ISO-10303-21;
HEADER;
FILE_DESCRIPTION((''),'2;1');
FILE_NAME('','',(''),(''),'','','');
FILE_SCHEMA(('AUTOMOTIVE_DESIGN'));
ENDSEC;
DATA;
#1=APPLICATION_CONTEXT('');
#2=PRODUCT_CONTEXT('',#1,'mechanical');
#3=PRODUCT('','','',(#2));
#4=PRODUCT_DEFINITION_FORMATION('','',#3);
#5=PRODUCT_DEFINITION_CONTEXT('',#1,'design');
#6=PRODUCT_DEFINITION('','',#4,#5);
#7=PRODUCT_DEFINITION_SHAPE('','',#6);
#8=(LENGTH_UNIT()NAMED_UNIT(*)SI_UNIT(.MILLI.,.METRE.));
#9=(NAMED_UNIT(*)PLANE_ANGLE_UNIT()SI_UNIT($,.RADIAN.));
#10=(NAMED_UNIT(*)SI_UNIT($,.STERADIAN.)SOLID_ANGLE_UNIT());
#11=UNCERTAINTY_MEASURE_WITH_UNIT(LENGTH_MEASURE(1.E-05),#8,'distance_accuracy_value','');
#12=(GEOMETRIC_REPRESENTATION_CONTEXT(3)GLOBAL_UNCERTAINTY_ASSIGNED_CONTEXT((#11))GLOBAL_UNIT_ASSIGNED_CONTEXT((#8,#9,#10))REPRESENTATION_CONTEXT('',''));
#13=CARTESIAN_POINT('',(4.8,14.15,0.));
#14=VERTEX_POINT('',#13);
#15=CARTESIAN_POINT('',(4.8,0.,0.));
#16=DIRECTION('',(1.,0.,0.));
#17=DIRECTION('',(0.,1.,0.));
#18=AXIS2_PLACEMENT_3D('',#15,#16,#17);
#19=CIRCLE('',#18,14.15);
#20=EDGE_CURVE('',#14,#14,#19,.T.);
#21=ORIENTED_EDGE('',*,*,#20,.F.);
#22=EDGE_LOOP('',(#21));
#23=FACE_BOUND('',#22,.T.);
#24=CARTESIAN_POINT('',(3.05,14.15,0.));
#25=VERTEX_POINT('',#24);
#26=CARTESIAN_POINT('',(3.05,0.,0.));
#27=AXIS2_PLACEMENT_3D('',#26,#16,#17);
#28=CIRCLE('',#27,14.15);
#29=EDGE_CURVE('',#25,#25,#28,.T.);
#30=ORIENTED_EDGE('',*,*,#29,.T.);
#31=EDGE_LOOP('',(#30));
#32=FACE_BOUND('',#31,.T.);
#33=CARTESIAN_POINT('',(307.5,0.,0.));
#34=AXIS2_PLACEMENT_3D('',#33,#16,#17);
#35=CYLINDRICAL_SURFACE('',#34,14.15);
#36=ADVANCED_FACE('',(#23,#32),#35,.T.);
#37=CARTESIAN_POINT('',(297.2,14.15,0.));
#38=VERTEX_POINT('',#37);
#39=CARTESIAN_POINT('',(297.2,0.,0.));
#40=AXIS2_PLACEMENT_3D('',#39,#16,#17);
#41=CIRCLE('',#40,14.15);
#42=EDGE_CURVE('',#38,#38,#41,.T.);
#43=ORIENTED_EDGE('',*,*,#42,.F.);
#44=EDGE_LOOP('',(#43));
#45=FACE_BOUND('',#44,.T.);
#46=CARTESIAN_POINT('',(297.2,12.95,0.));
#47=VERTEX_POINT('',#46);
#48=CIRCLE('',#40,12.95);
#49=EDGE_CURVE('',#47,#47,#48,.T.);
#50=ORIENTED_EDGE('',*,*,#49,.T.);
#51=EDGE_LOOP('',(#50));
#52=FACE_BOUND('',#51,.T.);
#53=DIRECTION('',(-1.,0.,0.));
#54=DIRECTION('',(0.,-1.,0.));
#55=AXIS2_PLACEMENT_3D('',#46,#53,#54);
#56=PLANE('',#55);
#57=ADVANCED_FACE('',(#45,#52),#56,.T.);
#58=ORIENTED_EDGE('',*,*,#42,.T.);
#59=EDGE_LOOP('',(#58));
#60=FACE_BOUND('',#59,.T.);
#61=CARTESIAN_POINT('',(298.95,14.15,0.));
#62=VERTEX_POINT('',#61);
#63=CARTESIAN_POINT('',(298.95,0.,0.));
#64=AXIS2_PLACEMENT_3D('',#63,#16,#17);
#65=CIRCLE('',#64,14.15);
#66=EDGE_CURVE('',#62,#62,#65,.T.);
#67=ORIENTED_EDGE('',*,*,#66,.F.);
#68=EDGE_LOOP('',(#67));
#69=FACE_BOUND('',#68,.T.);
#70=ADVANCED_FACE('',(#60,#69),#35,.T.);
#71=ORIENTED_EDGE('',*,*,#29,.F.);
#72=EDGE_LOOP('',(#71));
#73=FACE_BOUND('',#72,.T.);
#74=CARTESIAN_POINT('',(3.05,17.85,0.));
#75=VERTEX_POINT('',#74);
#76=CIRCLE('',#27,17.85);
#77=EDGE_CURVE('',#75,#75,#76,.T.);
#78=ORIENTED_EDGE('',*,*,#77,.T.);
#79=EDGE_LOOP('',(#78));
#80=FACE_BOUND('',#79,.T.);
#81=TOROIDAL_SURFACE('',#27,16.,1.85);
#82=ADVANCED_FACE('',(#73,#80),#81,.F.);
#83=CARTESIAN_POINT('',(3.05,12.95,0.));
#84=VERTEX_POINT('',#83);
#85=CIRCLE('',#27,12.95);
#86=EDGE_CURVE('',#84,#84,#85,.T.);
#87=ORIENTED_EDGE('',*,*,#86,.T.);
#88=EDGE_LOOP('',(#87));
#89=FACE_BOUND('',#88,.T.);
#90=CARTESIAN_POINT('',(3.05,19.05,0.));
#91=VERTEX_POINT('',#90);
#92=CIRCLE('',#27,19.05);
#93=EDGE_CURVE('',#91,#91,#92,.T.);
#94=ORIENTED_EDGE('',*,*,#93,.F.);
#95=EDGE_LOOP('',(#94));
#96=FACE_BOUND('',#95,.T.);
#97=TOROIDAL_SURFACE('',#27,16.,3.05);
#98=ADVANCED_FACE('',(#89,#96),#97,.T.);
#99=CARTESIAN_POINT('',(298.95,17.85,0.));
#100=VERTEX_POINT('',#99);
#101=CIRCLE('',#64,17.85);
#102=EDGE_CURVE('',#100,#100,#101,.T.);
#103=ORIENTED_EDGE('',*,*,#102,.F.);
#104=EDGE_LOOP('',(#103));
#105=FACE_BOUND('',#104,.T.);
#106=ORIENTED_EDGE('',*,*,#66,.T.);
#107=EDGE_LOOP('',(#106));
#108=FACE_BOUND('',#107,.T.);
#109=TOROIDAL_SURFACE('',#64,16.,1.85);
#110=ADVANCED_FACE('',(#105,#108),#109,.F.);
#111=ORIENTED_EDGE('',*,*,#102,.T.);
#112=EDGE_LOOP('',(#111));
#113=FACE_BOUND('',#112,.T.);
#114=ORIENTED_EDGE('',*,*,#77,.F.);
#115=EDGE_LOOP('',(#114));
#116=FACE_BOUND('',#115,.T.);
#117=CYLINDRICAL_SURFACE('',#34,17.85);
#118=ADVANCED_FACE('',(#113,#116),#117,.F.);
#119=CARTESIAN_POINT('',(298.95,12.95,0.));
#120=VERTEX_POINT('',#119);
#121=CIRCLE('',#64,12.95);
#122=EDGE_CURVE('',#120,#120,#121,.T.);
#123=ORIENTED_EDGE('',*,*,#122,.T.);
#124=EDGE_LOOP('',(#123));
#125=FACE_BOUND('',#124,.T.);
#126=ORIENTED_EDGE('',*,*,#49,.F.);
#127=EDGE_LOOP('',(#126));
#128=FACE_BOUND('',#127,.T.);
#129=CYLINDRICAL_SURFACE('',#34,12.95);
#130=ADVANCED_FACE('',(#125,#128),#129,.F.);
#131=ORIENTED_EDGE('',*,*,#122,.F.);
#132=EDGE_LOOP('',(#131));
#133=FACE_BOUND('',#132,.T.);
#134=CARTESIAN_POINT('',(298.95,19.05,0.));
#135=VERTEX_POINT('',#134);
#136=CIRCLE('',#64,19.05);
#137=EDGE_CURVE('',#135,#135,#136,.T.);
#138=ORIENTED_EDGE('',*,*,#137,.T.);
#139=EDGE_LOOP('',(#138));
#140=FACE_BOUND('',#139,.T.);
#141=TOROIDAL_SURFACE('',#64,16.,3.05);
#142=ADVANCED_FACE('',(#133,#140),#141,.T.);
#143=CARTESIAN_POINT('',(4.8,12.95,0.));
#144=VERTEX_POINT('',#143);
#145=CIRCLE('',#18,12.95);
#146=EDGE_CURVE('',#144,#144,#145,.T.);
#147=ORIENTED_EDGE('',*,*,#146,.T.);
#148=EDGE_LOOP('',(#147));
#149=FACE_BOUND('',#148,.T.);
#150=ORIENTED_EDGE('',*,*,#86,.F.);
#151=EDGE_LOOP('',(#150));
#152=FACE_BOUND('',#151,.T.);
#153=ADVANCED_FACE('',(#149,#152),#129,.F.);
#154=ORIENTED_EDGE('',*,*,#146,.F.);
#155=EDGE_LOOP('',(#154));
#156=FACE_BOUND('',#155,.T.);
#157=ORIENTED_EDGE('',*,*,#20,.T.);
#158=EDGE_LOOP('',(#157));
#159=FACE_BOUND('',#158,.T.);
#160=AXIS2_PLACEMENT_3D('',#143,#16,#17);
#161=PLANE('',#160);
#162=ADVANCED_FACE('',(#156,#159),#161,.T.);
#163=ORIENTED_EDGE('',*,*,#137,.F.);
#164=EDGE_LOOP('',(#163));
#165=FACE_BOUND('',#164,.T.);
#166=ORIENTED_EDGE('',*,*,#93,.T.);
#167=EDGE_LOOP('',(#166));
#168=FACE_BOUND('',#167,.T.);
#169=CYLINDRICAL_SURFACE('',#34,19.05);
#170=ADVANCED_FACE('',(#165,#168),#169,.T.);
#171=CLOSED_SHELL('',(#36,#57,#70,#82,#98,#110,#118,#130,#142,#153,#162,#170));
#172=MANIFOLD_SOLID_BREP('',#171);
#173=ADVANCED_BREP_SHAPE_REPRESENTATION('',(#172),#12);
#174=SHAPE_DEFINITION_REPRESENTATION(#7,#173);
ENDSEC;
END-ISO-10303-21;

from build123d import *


with BuildPart() as part:
    # Sketch1 → Revolve1 (revolve)
    with BuildSketch(Plane.XY):
        with BuildLine():
            Line((4.8, 12.95), (4.8, 14.15))
            Line((4.8, 14.15), (3.05, 14.15))
            ThreePointArc((3.05, 14.15), (1.2, 16), (3.05, 17.85))
            Line((3.05, 17.85), (298.95, 17.85))
            ThreePointArc((298.95, 17.85), (300.8, 16), (298.95, 14.15))
            Line((298.95, 14.15), (297.2, 14.15))
            Line((297.2, 14.15), (297.2, 12.95))
            Line((297.2, 12.95), (298.95, 12.95))
            ThreePointArc((298.95, 12.95), (302, 16), (298.95, 19.05))
            Line((298.95, 19.05), (3.05, 19.05))
            ThreePointArc((3.05, 19.05), (0, 16), (3.05, 12.95))
            Line((3.05, 12.95), (4.8, 12.95))
        make_face()
    revolve(axis=Axis((307.5, 0, 0), (-1, 0, 0)))


solid = part.part
